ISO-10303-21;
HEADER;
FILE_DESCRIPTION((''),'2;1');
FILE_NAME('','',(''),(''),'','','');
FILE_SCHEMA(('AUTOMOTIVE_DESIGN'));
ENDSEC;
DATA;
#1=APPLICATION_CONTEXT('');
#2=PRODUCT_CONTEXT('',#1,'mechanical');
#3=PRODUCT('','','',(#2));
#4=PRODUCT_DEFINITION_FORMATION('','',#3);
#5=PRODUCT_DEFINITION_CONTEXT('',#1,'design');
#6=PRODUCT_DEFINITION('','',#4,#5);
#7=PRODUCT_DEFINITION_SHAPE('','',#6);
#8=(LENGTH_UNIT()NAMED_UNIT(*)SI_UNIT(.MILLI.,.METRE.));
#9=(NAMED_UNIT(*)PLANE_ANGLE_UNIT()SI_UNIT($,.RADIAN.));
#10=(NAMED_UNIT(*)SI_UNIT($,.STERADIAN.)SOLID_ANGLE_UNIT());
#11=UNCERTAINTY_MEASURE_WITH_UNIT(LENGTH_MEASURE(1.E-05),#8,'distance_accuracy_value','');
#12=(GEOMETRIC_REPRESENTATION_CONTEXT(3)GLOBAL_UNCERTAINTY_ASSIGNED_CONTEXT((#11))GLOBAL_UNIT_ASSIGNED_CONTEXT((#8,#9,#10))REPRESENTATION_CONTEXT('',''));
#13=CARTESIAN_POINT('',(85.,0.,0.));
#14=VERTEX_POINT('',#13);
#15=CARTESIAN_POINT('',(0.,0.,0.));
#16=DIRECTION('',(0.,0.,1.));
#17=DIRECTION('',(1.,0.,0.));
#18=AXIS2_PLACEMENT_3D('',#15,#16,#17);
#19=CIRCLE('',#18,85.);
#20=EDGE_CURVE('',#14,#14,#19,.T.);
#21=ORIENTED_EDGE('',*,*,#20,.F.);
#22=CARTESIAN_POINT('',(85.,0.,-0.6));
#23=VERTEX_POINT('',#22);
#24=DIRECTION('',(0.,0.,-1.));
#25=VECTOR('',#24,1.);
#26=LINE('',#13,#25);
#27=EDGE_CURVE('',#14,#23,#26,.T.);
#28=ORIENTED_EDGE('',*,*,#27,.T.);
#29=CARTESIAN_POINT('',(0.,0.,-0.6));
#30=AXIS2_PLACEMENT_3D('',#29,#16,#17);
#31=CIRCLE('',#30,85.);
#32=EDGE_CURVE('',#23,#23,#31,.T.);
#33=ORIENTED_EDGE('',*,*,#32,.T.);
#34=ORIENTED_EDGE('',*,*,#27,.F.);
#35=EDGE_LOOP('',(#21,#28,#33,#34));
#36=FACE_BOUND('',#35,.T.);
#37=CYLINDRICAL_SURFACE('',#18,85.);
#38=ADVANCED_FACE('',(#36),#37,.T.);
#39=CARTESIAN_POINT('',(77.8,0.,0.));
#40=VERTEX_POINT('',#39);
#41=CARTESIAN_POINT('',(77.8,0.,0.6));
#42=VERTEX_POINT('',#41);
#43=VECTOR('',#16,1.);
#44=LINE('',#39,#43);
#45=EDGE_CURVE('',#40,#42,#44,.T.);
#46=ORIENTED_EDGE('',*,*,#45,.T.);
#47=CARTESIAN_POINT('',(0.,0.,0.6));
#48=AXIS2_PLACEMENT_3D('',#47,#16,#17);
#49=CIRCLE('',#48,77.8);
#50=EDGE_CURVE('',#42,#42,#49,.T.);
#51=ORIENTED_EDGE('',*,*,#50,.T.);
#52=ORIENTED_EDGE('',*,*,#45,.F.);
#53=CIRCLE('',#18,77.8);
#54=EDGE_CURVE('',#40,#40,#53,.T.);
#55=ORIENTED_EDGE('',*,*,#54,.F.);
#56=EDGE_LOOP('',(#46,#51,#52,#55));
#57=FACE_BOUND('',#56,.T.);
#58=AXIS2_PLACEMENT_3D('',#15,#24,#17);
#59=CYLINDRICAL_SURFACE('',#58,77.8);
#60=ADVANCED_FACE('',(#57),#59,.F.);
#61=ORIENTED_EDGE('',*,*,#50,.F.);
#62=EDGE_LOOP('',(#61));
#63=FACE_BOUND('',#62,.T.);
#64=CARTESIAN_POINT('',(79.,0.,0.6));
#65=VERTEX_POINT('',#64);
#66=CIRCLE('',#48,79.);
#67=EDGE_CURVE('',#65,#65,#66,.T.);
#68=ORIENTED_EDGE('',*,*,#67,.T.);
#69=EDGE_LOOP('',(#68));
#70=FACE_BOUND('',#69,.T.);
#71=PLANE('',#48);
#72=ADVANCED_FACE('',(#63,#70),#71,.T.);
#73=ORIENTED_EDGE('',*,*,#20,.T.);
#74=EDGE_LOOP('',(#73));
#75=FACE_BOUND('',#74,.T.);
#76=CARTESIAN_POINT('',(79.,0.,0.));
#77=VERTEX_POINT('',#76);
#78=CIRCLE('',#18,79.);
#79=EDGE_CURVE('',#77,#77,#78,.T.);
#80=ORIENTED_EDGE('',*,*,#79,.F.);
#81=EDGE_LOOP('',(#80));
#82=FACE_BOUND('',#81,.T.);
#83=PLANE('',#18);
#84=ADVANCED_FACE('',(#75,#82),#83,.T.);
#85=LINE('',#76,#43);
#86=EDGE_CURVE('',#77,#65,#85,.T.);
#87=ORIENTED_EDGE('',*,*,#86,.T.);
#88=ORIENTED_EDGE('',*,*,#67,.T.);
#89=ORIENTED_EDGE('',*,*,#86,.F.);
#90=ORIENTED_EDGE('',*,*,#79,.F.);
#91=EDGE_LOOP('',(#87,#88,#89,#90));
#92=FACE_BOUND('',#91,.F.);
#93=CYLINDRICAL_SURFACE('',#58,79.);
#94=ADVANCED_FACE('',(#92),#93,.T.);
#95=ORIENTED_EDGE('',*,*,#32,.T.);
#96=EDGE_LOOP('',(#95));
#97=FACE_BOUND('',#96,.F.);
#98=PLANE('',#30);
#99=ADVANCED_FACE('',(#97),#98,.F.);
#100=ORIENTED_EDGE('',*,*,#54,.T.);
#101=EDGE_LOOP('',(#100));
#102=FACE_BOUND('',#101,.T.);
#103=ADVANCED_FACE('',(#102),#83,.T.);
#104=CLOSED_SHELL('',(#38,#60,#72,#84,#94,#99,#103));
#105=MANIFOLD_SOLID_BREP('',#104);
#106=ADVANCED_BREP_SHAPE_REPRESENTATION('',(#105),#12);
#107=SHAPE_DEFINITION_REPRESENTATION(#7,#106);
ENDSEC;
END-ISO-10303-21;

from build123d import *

# Parameters (mm, degrees)
F0_R     = 79
F0_R_2   = 77.8
F1_DEPTH = 0.6
F0_R_3   = 85
F2_DEPTH = 0.6


with BuildPart() as f1:
    # F0 (on Top) → F1 (new body)
    with BuildSketch(Plane.XY):
        Circle(F0_R)
        Circle(F0_R_2, mode=Mode.SUBTRACT)
    extrude(amount=F1_DEPTH)

    # F0 (on Top) → F2 (join)
    with BuildSketch(Plane.XY):
        Circle(F0_R_3)
        Circle(F0_R, mode=Mode.SUBTRACT)
        Circle(F0_R)
        Circle(F0_R_2, mode=Mode.SUBTRACT)
        Circle(F0_R_2)
    extrude(amount=-F2_DEPTH)


solid = f1.part
